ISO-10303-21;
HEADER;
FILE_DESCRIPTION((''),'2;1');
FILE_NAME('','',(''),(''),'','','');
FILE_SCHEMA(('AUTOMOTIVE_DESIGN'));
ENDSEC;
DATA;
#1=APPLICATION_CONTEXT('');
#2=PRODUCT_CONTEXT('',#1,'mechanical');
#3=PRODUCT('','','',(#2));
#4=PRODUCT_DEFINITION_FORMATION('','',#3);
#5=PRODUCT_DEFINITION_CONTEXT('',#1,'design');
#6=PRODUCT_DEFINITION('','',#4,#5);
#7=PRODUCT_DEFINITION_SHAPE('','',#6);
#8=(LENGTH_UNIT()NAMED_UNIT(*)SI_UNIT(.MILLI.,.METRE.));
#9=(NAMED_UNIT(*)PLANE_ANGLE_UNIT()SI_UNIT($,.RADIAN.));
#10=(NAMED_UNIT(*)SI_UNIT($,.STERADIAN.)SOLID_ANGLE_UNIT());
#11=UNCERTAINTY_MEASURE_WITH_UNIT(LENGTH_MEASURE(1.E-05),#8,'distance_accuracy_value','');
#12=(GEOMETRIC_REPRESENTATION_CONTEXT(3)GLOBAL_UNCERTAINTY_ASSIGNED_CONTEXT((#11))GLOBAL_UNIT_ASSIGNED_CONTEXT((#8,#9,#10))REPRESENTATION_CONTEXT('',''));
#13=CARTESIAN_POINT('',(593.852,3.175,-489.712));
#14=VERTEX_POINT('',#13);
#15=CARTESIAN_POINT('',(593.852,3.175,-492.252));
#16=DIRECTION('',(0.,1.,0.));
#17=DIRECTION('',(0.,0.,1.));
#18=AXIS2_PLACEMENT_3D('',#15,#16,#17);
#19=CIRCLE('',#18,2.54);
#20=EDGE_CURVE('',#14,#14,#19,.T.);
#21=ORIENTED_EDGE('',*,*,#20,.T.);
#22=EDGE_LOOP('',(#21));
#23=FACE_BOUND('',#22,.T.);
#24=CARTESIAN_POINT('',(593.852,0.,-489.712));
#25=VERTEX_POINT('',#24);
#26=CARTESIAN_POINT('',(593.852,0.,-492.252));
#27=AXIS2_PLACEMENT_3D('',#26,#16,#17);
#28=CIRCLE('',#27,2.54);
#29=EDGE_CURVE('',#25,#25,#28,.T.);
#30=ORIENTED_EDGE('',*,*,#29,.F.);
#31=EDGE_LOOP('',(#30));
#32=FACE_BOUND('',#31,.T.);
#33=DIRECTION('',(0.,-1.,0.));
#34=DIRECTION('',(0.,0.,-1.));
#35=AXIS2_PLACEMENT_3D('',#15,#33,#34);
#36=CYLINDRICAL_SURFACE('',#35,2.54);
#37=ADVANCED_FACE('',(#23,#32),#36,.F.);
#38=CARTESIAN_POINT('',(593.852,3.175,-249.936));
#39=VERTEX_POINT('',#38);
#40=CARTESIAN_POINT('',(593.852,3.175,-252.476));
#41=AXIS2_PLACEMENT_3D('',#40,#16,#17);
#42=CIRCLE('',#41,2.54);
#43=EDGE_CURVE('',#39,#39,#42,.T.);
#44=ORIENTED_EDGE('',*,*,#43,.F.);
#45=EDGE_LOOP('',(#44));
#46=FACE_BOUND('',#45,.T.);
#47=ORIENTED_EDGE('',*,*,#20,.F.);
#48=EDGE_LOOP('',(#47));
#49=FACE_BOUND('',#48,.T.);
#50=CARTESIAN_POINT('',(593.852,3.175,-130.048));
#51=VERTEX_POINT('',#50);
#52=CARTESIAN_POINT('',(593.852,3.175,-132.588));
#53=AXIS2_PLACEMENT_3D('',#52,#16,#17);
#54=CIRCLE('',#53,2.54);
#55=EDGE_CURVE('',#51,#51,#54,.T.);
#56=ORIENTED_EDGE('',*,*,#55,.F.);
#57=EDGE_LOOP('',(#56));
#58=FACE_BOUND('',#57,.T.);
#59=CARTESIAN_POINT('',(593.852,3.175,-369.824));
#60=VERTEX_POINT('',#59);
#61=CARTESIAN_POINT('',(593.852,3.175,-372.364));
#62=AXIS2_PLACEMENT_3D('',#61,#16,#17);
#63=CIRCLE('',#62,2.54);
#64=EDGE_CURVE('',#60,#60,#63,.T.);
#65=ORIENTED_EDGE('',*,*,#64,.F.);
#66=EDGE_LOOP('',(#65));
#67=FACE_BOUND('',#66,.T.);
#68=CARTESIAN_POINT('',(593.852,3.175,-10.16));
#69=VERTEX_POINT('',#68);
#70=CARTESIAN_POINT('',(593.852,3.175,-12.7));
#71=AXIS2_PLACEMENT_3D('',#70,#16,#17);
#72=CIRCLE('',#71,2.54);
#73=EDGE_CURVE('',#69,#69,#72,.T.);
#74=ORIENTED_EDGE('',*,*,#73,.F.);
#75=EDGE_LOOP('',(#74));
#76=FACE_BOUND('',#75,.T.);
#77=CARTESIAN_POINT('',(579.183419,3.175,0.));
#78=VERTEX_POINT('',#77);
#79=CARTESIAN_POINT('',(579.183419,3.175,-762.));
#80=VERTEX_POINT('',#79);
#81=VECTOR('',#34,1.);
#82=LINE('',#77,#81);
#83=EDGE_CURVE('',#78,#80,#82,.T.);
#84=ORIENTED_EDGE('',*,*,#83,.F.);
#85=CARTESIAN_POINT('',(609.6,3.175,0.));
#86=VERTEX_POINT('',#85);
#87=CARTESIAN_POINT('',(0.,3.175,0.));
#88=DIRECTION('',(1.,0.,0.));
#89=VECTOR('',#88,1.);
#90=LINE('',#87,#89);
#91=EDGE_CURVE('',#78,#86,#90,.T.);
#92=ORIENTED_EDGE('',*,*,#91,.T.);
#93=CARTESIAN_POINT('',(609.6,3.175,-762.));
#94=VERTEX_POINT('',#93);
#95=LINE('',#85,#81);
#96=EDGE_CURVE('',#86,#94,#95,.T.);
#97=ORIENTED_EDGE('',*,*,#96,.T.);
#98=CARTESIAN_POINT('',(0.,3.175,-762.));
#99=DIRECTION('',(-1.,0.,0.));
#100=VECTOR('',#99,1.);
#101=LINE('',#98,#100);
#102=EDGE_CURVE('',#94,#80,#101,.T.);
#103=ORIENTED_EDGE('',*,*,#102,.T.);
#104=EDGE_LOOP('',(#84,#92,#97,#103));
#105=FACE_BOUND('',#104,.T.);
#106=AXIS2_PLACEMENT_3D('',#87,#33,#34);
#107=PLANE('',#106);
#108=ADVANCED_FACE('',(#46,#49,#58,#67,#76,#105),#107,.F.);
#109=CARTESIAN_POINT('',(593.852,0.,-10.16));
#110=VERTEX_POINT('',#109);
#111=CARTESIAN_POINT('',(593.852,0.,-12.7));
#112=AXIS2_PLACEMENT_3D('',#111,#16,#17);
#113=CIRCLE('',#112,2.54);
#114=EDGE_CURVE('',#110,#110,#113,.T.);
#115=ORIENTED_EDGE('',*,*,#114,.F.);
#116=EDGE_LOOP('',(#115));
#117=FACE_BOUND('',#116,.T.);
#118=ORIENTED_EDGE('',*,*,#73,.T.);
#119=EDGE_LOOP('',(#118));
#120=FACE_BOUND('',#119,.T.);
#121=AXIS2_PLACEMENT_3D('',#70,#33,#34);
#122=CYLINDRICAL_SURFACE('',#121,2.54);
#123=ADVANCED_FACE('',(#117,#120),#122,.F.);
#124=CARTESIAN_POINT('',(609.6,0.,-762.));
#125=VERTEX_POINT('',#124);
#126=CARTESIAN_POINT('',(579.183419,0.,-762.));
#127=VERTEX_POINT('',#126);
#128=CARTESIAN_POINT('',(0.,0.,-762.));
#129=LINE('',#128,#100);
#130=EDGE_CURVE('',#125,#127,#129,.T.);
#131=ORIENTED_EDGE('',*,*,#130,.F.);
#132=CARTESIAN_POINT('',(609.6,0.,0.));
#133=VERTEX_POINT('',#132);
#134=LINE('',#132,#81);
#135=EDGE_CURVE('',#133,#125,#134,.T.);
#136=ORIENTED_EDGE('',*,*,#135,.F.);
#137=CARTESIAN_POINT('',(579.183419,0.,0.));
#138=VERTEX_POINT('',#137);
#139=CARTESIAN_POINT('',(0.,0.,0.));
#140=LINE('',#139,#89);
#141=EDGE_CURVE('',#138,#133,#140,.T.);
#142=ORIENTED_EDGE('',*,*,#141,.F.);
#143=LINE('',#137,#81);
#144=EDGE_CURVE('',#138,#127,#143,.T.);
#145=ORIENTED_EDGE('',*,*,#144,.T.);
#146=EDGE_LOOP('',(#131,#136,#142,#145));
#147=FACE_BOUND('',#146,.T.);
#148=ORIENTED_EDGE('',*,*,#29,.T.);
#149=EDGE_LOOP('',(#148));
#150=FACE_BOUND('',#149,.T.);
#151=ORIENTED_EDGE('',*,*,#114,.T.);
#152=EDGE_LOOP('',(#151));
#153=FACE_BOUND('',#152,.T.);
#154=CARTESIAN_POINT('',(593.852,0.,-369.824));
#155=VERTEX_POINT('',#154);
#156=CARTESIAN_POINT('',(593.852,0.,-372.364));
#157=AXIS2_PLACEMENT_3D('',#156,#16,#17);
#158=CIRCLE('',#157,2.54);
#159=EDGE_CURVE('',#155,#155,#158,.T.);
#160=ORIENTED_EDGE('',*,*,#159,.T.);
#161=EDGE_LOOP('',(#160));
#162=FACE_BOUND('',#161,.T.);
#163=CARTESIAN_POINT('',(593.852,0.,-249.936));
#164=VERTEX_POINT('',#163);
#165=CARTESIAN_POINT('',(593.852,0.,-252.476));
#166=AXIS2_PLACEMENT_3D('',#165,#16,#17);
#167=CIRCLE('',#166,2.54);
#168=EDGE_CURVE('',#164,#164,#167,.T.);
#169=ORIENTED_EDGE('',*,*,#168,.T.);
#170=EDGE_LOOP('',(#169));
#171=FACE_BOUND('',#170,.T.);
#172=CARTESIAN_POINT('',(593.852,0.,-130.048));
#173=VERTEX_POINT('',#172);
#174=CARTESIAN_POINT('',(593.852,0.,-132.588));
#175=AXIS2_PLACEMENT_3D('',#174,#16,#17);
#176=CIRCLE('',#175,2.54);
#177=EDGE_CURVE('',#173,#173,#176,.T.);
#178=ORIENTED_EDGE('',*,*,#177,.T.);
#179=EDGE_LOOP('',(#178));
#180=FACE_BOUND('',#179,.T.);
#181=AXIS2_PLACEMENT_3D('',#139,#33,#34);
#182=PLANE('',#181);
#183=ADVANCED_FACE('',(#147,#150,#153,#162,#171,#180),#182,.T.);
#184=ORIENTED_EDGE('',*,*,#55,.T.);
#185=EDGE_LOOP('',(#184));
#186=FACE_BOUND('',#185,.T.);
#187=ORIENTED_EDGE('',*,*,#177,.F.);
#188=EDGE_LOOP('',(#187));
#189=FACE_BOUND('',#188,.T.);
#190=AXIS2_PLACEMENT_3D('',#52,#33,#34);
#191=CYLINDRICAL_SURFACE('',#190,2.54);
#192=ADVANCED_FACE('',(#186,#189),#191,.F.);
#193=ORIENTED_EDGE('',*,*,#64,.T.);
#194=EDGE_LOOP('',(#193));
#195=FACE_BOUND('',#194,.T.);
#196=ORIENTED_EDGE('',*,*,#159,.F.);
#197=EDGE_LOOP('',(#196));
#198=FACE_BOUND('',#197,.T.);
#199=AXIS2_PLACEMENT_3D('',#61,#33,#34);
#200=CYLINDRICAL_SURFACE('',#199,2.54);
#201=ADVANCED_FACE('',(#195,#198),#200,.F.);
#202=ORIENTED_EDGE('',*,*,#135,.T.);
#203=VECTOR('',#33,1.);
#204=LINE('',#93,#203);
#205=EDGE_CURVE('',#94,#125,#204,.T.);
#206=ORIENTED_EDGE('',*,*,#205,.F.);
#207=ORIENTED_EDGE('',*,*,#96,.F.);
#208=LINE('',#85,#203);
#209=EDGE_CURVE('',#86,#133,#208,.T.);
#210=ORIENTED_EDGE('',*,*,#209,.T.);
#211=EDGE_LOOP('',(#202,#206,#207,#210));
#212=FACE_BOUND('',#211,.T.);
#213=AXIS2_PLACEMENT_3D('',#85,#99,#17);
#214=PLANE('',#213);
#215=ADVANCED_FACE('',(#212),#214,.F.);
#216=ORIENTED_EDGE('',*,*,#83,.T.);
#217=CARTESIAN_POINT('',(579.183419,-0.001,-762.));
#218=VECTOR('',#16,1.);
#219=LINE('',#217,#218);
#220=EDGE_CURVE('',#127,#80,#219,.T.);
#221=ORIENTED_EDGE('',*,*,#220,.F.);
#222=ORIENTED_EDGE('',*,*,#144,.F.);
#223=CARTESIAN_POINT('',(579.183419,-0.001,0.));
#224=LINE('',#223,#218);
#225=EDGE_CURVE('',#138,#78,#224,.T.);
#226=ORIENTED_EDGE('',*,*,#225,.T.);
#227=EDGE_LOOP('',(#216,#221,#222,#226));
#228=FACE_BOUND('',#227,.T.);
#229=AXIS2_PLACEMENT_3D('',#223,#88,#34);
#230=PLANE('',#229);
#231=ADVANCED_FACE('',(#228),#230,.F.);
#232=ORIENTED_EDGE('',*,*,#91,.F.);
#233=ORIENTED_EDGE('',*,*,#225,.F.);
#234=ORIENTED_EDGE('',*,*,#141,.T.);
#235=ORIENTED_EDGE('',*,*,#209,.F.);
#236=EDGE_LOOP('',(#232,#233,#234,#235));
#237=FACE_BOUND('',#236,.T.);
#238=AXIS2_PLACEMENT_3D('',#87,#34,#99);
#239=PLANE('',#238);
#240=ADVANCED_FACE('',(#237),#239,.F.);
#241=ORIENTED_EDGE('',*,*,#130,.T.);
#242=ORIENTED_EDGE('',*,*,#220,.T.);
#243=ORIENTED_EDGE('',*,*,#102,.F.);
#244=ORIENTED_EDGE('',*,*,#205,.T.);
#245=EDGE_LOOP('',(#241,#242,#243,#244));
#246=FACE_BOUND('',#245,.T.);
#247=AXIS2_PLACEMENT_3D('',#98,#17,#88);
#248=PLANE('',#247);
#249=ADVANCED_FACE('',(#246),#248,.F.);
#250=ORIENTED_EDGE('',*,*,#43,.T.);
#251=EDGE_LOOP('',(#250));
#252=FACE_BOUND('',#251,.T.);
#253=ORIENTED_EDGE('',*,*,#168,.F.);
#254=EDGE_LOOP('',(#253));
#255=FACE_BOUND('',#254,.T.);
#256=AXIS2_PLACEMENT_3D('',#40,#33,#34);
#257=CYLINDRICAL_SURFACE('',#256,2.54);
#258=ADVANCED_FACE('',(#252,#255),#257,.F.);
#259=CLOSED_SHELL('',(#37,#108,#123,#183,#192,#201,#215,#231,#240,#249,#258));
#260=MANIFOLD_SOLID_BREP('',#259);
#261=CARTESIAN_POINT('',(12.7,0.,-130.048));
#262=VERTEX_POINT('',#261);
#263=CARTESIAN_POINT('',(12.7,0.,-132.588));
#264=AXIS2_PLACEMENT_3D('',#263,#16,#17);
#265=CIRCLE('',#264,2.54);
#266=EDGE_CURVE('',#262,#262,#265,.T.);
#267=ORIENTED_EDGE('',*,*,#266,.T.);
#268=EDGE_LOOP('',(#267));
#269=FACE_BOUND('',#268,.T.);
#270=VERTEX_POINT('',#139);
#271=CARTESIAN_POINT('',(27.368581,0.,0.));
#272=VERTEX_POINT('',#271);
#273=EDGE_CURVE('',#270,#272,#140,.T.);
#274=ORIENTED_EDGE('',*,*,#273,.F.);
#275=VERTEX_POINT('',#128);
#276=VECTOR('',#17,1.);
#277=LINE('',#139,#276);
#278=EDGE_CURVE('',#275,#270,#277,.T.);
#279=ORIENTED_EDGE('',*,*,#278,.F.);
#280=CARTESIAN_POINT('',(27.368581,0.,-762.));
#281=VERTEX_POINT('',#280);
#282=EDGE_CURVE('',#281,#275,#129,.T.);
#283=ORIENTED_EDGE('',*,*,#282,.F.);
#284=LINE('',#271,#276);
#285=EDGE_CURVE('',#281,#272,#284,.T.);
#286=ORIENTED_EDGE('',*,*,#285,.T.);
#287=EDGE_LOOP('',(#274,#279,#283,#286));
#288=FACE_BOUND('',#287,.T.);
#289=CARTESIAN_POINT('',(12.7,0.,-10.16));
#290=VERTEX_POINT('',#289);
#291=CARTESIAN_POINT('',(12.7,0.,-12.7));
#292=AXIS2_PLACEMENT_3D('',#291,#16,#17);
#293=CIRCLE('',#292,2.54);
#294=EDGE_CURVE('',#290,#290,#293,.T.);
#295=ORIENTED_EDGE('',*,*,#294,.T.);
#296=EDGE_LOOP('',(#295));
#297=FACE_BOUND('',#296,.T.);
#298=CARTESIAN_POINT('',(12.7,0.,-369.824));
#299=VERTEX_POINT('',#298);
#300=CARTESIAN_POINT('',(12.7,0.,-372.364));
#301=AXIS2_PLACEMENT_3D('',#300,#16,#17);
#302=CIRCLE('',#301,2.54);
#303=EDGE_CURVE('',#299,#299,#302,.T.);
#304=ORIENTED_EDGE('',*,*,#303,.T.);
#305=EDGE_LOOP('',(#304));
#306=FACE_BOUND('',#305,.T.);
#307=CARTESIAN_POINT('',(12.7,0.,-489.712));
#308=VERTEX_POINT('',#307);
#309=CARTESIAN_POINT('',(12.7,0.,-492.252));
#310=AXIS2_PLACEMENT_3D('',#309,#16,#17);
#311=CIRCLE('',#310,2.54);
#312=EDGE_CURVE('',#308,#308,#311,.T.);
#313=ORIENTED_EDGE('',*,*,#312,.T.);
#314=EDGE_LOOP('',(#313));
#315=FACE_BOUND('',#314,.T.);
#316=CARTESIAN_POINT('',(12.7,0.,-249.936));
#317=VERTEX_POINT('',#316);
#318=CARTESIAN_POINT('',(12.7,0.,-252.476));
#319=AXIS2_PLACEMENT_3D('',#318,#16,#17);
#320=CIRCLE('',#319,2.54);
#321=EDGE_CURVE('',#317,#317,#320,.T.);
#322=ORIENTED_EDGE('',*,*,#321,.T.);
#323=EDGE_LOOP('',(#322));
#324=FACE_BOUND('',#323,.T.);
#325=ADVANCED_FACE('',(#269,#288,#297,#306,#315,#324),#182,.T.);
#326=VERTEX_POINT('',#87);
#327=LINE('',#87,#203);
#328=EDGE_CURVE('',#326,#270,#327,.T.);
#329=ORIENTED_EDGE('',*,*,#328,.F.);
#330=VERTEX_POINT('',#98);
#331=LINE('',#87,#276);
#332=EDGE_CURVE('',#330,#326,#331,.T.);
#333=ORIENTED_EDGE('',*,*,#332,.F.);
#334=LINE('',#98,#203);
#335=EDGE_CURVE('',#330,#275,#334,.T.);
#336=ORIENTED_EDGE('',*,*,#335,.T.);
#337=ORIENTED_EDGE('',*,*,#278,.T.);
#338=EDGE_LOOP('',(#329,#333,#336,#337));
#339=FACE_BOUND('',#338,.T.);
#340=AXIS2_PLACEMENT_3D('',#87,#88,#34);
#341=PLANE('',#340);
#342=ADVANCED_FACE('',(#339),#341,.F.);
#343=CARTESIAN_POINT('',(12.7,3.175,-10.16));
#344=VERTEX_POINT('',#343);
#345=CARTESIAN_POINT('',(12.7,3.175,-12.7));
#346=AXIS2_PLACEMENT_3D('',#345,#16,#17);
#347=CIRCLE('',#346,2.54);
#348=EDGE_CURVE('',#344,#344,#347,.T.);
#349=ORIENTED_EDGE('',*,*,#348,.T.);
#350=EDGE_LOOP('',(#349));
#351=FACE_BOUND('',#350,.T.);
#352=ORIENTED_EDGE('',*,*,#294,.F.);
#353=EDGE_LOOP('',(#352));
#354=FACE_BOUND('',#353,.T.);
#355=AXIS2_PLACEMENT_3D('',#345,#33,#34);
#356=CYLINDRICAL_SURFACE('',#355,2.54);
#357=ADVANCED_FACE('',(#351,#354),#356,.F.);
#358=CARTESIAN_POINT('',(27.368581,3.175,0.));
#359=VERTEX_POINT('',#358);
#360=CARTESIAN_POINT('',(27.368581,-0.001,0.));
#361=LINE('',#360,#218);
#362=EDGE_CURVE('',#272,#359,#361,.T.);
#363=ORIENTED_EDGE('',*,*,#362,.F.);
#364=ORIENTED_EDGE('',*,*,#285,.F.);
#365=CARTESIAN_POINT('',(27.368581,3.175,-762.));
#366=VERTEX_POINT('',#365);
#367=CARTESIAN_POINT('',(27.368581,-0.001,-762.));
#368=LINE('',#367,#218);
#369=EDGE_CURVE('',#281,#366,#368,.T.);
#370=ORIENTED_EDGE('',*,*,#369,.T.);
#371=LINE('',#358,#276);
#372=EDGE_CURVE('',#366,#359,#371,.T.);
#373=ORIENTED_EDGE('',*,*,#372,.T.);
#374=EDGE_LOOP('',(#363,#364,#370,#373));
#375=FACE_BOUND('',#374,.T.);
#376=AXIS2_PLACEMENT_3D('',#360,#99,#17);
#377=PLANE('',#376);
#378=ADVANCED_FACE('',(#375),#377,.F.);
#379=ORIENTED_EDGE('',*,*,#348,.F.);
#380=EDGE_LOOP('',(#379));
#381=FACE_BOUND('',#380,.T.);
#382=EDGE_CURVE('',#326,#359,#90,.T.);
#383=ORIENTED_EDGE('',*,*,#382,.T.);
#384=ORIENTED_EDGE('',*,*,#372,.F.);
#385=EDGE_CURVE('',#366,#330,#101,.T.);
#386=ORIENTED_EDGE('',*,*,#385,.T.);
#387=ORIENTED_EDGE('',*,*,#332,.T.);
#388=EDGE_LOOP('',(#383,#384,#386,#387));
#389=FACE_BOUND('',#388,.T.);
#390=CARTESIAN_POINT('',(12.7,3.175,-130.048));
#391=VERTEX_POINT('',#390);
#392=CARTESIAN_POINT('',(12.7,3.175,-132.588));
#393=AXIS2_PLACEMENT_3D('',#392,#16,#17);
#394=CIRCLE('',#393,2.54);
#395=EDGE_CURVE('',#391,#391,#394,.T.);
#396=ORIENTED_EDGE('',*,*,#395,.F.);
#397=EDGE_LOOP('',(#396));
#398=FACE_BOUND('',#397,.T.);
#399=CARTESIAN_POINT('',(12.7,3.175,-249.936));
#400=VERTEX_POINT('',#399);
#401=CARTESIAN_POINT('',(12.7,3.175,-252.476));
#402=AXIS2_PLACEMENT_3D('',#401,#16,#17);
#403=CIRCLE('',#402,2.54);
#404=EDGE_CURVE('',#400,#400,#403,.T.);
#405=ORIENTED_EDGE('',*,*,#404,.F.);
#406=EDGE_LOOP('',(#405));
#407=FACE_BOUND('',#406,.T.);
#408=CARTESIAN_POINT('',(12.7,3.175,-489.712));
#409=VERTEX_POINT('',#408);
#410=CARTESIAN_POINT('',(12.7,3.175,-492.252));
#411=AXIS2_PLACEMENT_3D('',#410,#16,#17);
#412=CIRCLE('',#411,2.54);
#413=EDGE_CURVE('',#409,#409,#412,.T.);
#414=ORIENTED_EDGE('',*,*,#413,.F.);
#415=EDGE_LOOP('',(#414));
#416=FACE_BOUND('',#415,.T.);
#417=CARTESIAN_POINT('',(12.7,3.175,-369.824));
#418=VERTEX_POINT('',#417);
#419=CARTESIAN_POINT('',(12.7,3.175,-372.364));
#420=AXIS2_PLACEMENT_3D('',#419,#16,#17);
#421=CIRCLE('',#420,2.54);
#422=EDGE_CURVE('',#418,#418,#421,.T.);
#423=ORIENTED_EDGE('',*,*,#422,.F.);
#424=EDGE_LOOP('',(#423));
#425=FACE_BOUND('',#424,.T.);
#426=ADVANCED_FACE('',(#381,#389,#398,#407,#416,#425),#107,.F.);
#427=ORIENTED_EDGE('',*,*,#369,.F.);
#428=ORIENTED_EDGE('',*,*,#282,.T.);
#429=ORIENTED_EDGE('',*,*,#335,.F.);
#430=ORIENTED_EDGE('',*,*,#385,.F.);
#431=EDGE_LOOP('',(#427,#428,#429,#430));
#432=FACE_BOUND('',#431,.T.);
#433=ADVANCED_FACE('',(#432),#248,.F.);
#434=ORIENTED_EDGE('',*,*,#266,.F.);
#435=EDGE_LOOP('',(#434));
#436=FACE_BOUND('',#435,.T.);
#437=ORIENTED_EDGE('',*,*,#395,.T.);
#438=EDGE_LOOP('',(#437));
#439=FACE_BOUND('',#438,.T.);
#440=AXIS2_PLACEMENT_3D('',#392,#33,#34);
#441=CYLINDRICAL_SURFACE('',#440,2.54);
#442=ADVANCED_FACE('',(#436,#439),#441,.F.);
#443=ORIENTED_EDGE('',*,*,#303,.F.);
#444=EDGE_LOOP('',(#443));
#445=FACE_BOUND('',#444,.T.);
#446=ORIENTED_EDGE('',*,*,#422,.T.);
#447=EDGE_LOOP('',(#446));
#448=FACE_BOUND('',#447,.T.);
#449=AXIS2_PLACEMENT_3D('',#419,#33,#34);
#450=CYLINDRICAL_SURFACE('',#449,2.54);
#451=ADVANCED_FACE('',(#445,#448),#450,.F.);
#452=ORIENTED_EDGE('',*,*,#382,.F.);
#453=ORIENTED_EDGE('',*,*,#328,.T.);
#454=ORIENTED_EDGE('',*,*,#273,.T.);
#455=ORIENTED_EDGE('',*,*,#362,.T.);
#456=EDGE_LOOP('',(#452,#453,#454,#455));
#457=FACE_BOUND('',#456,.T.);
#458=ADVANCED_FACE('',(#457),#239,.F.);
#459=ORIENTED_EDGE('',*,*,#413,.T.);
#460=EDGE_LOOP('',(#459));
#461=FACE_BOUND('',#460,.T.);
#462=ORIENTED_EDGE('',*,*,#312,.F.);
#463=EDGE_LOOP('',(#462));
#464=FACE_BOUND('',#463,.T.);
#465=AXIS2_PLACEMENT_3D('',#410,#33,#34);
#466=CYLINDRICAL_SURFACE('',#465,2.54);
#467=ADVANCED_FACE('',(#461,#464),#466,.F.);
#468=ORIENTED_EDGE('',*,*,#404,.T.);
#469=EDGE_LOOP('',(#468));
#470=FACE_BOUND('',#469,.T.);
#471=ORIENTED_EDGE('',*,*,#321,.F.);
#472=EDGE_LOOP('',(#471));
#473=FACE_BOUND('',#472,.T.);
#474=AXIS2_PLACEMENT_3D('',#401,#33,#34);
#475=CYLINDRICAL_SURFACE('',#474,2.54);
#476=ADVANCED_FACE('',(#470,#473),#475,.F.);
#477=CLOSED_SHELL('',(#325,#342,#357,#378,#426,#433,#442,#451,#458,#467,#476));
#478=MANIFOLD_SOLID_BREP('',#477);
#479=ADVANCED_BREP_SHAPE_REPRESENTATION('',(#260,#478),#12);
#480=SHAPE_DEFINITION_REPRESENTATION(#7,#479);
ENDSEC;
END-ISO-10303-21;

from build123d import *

# Parameters (mm, degrees)
SKETCH1_W           = 609.6
SKETCH1_H           = 762
SKETCH1_R           = 2.54
BOSS_EXTRUDE1_DEPTH = 3.175
CUT_EXTRUDE1_REACH  = 5.175
SKETCH2_W           = 551.81483812
SKETCH2_H           = 762


with BuildPart() as part:
    # Sketch1 → Boss-Extrude1 (new body)
    with BuildSketch(Plane(origin=(0, 0, 0), x_dir=(1, 0, 0), z_dir=(0, 1, 0))):
        with Locations((304.8, 381)):
            Rectangle(SKETCH1_W, SKETCH1_H)
        with Locations((12.7, 12.7)):
            Circle(SKETCH1_R, mode=Mode.SUBTRACT)
        with Locations((593.852, 12.7)):
            Circle(SKETCH1_R, mode=Mode.SUBTRACT)
        with Locations((593.852, 132.588)):
            Circle(SKETCH1_R, mode=Mode.SUBTRACT)
        with Locations((593.852, 252.476)):
            Circle(SKETCH1_R, mode=Mode.SUBTRACT)
        with Locations((593.852, 372.364)):
            Circle(SKETCH1_R, mode=Mode.SUBTRACT)
        with Locations((593.852, 492.252)):
            Circle(SKETCH1_R, mode=Mode.SUBTRACT)
        with Locations((12.7, 132.588)):
            Circle(SKETCH1_R, mode=Mode.SUBTRACT)
        with Locations((12.7, 252.476)):
            Circle(SKETCH1_R, mode=Mode.SUBTRACT)
        with Locations((12.7, 372.364)):
            Circle(SKETCH1_R, mode=Mode.SUBTRACT)
        with Locations((12.7, 492.252)):
            Circle(SKETCH1_R, mode=Mode.SUBTRACT)
    extrude(amount=BOSS_EXTRUDE1_DEPTH)

    # Sketch2 → Cut-Extrude1 (cut, up to next)
    with BuildSketch(Plane(origin=(0, 3.175, 0), x_dir=(1, 0, 0), z_dir=(0, 1, 0)), mode=Mode.PRIVATE) as cut_extrude1_sk1:
        with Locations((303.276, 381)):
            Rectangle(SKETCH2_W, SKETCH2_H)
    cut_extrude1_tool1 = extrude(cut_extrude1_sk1.sketch, amount=-CUT_EXTRUDE1_REACH, mode=Mode.PRIVATE) & part.part
    add(cut_extrude1_tool1.solids().sort_by_distance((303.276, 3.175, -381))[0], mode=Mode.SUBTRACT)


solid = part.part
